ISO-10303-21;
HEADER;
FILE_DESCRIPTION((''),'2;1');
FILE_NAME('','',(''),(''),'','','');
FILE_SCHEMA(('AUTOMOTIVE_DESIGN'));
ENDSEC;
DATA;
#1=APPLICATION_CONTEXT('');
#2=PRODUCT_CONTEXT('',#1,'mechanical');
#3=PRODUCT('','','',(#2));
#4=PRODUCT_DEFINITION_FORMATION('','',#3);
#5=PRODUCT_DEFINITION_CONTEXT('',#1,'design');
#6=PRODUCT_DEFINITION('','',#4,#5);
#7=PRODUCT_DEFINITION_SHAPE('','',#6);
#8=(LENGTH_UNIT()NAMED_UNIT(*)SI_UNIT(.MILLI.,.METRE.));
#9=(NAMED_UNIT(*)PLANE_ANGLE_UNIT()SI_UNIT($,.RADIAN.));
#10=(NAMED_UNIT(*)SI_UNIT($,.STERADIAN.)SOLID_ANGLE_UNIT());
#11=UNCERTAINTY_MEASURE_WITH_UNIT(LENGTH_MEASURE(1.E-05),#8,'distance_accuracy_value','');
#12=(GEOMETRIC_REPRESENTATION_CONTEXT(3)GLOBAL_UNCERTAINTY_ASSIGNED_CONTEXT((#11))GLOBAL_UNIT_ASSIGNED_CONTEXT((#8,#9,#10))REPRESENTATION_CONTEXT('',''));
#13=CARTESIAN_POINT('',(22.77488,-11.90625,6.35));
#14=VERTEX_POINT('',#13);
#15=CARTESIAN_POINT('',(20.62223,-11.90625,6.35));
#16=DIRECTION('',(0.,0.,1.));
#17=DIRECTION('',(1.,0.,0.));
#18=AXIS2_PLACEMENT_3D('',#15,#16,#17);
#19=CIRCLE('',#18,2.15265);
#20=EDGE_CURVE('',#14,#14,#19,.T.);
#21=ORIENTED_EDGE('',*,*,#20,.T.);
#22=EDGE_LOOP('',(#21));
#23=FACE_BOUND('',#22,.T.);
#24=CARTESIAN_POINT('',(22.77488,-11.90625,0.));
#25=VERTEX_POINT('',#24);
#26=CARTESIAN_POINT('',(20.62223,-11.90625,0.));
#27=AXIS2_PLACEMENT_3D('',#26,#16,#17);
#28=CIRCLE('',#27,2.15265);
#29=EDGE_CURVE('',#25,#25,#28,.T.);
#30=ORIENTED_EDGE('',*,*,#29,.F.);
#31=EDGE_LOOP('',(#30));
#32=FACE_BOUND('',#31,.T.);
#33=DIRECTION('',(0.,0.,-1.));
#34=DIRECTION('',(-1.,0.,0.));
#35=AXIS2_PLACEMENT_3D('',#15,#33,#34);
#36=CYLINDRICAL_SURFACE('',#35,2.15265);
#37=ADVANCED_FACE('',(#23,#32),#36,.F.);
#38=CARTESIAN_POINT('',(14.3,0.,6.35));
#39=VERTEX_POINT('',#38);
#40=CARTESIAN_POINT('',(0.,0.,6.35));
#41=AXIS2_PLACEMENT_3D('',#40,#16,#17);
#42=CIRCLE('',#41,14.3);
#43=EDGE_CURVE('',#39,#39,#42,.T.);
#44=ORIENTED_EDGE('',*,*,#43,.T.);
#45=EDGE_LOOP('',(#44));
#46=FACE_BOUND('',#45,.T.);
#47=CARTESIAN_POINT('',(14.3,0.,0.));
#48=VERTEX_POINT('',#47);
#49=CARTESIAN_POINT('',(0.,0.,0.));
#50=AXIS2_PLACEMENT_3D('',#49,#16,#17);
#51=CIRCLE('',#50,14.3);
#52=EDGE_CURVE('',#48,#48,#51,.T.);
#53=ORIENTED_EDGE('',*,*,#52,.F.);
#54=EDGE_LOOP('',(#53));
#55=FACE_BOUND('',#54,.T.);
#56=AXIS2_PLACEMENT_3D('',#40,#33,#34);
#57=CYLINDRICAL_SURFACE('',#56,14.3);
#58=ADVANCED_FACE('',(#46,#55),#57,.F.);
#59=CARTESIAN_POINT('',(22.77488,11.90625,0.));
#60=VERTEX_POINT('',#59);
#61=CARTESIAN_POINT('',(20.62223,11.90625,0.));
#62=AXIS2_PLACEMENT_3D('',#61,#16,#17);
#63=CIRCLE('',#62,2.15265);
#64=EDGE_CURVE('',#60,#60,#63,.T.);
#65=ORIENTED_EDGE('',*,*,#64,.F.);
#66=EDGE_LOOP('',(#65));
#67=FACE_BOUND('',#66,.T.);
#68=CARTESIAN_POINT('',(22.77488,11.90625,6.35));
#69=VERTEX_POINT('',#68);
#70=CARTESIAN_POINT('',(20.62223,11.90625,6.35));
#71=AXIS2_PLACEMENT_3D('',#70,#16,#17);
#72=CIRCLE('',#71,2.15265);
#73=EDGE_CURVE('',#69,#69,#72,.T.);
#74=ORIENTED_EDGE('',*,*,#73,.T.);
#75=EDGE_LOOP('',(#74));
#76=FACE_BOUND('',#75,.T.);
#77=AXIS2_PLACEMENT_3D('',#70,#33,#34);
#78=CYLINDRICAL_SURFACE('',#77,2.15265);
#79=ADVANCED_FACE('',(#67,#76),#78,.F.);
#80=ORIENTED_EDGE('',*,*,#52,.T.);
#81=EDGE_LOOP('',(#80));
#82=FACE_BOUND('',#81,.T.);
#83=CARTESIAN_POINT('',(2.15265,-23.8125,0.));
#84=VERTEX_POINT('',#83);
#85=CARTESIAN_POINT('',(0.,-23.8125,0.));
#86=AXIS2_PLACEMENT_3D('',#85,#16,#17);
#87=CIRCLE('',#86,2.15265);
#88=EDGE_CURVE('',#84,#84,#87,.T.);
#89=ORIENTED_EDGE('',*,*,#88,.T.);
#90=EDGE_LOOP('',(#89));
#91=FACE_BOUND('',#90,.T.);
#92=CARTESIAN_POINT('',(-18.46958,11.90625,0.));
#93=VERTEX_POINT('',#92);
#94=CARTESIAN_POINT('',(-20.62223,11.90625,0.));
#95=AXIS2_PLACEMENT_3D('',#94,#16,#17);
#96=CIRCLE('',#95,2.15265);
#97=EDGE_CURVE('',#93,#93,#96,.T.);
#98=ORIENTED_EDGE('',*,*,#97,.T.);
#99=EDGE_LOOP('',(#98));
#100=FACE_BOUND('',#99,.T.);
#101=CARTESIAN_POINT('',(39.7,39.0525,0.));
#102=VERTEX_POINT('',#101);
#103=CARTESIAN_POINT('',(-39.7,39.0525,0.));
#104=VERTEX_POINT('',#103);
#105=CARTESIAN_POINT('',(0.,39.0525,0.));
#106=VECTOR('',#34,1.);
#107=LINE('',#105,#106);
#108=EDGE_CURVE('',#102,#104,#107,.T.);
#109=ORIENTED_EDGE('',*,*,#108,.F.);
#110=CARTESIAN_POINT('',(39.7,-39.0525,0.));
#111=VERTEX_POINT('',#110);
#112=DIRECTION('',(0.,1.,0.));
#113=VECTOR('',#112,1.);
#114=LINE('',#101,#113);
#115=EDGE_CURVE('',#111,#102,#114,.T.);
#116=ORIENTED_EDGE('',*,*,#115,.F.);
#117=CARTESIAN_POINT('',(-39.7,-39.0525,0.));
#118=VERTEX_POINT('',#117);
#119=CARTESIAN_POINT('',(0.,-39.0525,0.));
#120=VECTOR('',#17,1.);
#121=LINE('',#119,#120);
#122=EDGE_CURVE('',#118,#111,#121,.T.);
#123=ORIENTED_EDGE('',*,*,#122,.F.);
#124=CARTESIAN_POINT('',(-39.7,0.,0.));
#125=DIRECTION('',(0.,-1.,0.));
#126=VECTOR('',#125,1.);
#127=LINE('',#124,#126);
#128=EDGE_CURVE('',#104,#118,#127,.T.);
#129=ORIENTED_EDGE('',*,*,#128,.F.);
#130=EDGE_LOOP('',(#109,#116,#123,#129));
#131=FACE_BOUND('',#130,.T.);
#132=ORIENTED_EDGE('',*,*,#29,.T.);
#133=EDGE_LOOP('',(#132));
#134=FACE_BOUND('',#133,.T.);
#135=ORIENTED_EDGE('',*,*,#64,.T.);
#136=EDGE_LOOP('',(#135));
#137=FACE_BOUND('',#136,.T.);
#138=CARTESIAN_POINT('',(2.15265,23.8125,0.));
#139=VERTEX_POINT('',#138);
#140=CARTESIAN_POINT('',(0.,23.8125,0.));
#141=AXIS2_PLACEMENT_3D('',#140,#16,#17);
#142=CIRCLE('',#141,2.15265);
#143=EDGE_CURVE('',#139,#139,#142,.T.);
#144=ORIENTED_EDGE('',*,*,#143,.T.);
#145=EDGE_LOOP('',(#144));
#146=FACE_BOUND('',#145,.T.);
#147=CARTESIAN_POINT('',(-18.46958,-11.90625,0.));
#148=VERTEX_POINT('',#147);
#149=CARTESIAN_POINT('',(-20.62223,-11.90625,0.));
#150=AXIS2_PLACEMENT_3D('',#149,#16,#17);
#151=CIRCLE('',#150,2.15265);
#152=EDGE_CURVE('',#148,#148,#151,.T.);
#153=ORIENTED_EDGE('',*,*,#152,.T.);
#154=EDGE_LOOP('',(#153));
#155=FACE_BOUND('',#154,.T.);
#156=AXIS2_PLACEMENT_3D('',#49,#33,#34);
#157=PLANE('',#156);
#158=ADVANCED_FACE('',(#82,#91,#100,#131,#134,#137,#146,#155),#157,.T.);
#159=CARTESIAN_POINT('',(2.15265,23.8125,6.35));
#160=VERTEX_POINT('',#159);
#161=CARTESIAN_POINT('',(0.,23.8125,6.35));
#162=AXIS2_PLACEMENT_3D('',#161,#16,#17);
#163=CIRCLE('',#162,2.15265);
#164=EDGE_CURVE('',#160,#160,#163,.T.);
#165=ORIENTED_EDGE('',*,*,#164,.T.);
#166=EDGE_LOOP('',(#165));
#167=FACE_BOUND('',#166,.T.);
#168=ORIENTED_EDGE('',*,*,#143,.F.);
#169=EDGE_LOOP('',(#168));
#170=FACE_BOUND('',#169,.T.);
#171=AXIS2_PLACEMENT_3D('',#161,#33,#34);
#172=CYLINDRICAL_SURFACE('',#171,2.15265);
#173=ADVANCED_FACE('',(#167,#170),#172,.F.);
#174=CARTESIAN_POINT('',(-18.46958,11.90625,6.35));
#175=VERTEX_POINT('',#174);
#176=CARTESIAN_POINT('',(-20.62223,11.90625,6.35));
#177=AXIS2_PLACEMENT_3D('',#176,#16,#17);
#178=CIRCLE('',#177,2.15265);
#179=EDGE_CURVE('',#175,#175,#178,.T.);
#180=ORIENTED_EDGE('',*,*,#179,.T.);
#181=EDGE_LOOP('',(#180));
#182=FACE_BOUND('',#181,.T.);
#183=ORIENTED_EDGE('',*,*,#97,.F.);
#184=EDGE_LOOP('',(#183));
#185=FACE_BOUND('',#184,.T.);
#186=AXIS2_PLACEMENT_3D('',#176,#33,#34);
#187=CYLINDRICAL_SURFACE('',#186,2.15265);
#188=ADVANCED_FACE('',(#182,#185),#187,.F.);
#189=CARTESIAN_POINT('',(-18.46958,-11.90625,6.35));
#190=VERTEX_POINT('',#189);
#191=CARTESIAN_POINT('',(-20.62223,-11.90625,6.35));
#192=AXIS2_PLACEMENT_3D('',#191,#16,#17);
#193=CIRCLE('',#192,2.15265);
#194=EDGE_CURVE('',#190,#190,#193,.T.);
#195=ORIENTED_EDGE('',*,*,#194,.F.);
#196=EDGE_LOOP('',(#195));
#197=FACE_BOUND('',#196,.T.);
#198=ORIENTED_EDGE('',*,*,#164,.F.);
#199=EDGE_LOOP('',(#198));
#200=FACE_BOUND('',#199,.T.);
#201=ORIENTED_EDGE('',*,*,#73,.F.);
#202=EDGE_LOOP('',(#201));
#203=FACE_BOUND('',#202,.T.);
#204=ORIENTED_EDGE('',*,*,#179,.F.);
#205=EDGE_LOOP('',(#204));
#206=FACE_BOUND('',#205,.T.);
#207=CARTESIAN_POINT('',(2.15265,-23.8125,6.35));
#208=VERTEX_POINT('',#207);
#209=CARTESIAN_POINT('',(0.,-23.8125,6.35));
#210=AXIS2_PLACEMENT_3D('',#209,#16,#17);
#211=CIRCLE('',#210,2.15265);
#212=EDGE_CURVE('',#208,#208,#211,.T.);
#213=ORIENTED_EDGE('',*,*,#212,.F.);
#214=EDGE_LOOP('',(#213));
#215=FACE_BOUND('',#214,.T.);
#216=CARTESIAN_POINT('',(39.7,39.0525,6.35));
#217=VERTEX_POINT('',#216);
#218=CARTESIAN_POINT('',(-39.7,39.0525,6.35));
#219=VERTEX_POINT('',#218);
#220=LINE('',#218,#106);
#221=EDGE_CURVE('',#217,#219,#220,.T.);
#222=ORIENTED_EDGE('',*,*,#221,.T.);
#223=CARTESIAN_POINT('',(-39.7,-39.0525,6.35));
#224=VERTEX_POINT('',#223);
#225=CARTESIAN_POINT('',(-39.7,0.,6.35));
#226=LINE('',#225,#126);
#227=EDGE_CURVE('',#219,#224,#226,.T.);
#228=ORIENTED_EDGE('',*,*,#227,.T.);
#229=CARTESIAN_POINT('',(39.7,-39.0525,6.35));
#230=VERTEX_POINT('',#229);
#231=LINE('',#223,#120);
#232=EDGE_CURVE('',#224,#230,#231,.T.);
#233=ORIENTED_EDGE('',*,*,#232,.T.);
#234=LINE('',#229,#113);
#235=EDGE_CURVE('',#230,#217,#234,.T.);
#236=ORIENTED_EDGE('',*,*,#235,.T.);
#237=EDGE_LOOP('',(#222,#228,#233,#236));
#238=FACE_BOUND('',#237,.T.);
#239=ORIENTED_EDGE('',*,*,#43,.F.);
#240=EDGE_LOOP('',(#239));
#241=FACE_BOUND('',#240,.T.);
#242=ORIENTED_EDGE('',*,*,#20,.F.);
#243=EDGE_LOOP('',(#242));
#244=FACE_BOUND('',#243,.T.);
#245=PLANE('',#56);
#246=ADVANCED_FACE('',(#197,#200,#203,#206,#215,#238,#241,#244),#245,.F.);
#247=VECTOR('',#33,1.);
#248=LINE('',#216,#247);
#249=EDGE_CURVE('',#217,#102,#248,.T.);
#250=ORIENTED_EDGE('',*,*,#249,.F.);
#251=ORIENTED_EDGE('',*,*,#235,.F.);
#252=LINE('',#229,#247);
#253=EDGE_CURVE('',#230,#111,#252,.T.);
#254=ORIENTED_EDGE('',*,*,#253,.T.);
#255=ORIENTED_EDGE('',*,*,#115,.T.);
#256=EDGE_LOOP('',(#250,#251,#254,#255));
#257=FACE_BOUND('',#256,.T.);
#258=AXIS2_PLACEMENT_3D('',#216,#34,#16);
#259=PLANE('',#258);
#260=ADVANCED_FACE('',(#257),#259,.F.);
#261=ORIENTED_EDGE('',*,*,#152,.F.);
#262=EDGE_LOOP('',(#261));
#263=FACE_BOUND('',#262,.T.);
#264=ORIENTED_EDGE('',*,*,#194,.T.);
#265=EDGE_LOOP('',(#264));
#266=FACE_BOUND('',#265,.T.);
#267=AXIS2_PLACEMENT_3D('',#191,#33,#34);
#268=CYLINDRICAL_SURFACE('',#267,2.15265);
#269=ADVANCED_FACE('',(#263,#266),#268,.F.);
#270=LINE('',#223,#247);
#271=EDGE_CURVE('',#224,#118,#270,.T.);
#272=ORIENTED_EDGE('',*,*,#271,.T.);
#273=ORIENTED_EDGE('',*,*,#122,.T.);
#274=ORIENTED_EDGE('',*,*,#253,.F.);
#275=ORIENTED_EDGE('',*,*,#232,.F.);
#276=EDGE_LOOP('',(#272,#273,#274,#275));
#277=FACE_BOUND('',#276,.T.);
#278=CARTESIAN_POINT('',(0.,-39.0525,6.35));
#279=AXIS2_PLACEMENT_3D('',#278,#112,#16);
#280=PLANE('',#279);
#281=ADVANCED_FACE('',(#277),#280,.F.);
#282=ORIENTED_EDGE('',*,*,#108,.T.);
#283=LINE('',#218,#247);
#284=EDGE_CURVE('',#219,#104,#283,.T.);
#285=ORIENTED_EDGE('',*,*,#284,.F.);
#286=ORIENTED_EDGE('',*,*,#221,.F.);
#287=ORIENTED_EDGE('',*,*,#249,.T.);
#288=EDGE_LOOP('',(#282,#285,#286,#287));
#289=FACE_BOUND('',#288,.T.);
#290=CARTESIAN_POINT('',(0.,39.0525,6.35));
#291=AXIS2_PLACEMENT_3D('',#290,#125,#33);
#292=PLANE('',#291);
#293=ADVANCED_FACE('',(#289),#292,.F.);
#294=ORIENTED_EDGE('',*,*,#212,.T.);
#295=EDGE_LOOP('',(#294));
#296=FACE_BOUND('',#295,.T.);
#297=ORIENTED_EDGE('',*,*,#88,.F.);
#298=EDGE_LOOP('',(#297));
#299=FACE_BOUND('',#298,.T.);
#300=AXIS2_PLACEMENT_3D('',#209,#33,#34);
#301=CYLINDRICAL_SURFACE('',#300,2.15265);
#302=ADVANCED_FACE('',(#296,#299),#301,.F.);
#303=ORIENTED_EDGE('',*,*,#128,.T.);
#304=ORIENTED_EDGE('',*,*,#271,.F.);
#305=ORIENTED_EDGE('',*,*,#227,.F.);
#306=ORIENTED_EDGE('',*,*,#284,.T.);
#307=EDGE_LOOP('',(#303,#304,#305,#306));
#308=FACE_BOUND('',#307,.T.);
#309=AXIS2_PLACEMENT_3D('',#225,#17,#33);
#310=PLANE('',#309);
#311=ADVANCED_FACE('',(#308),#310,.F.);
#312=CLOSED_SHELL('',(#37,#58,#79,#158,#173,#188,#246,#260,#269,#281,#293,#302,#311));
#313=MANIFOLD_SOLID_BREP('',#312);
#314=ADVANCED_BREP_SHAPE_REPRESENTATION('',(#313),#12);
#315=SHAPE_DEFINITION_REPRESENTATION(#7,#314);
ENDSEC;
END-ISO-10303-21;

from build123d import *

# Parameters (mm, degrees)
BOSS_EXTRUDE1_DEPTH = 6.35


with BuildPart() as part:
    # Sketch1 → Boss-Extrude1 (new body)
    with BuildSketch(Plane.XY):
        Polygon((0, 39.0525), (39.7, 39.0525), (39.7, 0), (39.7, -39.0525), (0, -39.0525), (-39.7, -39.0525), (-39.7, 0), (-39.7, 39.0525), align=None)
        with BuildLine():
            ThreePointArc((2.15265, 23.8125), (0, 25.96515), (-2.15265, 23.8125))
            ThreePointArc((-2.15265, 23.8125), (0, 21.65985), (2.15265, 23.8125))
        make_face(mode=Mode.SUBTRACT)
        with BuildLine():
            ThreePointArc((-14.3, 0), (0, -14.3), (14.3, 0))
            ThreePointArc((14.3, 0), (0, 14.3), (-14.3, 0))
        make_face(mode=Mode.SUBTRACT)
        with BuildLine():
            ThreePointArc((-22.774879928, 11.90625), (-20.622229928, 9.7536), (-18.469579928, 11.90625))
            ThreePointArc((-18.469579928, 11.90625), (-20.622229928, 14.0589), (-22.774879928, 11.90625))
        make_face(mode=Mode.SUBTRACT)
        with BuildLine():
            ThreePointArc((-22.774879928, -11.90625), (-20.622229928, -14.0589), (-18.469579928, -11.90625))
            ThreePointArc((-18.469579928, -11.90625), (-20.622229928, -9.7536), (-22.774879928, -11.90625))
        make_face(mode=Mode.SUBTRACT)
        with BuildLine():
            ThreePointArc((-2.15265, -23.8125), (0, -25.96515), (2.15265, -23.8125))
            ThreePointArc((2.15265, -23.8125), (0, -21.65985), (-2.15265, -23.8125))
        make_face(mode=Mode.SUBTRACT)
        with BuildLine():
            ThreePointArc((18.469579928, 11.90625), (20.622229928, 9.7536), (22.774879928, 11.90625))
            ThreePointArc((22.774879928, 11.90625), (20.622229928, 14.0589), (18.469579928, 11.90625))
        make_face(mode=Mode.SUBTRACT)
        with BuildLine():
            ThreePointArc((18.469579928, -11.90625), (20.622229928, -14.0589), (22.774879928, -11.90625))
            ThreePointArc((22.774879928, -11.90625), (20.622229928, -9.7536), (18.469579928, -11.90625))
        make_face(mode=Mode.SUBTRACT)
    extrude(amount=BOSS_EXTRUDE1_DEPTH)


solid = part.part
